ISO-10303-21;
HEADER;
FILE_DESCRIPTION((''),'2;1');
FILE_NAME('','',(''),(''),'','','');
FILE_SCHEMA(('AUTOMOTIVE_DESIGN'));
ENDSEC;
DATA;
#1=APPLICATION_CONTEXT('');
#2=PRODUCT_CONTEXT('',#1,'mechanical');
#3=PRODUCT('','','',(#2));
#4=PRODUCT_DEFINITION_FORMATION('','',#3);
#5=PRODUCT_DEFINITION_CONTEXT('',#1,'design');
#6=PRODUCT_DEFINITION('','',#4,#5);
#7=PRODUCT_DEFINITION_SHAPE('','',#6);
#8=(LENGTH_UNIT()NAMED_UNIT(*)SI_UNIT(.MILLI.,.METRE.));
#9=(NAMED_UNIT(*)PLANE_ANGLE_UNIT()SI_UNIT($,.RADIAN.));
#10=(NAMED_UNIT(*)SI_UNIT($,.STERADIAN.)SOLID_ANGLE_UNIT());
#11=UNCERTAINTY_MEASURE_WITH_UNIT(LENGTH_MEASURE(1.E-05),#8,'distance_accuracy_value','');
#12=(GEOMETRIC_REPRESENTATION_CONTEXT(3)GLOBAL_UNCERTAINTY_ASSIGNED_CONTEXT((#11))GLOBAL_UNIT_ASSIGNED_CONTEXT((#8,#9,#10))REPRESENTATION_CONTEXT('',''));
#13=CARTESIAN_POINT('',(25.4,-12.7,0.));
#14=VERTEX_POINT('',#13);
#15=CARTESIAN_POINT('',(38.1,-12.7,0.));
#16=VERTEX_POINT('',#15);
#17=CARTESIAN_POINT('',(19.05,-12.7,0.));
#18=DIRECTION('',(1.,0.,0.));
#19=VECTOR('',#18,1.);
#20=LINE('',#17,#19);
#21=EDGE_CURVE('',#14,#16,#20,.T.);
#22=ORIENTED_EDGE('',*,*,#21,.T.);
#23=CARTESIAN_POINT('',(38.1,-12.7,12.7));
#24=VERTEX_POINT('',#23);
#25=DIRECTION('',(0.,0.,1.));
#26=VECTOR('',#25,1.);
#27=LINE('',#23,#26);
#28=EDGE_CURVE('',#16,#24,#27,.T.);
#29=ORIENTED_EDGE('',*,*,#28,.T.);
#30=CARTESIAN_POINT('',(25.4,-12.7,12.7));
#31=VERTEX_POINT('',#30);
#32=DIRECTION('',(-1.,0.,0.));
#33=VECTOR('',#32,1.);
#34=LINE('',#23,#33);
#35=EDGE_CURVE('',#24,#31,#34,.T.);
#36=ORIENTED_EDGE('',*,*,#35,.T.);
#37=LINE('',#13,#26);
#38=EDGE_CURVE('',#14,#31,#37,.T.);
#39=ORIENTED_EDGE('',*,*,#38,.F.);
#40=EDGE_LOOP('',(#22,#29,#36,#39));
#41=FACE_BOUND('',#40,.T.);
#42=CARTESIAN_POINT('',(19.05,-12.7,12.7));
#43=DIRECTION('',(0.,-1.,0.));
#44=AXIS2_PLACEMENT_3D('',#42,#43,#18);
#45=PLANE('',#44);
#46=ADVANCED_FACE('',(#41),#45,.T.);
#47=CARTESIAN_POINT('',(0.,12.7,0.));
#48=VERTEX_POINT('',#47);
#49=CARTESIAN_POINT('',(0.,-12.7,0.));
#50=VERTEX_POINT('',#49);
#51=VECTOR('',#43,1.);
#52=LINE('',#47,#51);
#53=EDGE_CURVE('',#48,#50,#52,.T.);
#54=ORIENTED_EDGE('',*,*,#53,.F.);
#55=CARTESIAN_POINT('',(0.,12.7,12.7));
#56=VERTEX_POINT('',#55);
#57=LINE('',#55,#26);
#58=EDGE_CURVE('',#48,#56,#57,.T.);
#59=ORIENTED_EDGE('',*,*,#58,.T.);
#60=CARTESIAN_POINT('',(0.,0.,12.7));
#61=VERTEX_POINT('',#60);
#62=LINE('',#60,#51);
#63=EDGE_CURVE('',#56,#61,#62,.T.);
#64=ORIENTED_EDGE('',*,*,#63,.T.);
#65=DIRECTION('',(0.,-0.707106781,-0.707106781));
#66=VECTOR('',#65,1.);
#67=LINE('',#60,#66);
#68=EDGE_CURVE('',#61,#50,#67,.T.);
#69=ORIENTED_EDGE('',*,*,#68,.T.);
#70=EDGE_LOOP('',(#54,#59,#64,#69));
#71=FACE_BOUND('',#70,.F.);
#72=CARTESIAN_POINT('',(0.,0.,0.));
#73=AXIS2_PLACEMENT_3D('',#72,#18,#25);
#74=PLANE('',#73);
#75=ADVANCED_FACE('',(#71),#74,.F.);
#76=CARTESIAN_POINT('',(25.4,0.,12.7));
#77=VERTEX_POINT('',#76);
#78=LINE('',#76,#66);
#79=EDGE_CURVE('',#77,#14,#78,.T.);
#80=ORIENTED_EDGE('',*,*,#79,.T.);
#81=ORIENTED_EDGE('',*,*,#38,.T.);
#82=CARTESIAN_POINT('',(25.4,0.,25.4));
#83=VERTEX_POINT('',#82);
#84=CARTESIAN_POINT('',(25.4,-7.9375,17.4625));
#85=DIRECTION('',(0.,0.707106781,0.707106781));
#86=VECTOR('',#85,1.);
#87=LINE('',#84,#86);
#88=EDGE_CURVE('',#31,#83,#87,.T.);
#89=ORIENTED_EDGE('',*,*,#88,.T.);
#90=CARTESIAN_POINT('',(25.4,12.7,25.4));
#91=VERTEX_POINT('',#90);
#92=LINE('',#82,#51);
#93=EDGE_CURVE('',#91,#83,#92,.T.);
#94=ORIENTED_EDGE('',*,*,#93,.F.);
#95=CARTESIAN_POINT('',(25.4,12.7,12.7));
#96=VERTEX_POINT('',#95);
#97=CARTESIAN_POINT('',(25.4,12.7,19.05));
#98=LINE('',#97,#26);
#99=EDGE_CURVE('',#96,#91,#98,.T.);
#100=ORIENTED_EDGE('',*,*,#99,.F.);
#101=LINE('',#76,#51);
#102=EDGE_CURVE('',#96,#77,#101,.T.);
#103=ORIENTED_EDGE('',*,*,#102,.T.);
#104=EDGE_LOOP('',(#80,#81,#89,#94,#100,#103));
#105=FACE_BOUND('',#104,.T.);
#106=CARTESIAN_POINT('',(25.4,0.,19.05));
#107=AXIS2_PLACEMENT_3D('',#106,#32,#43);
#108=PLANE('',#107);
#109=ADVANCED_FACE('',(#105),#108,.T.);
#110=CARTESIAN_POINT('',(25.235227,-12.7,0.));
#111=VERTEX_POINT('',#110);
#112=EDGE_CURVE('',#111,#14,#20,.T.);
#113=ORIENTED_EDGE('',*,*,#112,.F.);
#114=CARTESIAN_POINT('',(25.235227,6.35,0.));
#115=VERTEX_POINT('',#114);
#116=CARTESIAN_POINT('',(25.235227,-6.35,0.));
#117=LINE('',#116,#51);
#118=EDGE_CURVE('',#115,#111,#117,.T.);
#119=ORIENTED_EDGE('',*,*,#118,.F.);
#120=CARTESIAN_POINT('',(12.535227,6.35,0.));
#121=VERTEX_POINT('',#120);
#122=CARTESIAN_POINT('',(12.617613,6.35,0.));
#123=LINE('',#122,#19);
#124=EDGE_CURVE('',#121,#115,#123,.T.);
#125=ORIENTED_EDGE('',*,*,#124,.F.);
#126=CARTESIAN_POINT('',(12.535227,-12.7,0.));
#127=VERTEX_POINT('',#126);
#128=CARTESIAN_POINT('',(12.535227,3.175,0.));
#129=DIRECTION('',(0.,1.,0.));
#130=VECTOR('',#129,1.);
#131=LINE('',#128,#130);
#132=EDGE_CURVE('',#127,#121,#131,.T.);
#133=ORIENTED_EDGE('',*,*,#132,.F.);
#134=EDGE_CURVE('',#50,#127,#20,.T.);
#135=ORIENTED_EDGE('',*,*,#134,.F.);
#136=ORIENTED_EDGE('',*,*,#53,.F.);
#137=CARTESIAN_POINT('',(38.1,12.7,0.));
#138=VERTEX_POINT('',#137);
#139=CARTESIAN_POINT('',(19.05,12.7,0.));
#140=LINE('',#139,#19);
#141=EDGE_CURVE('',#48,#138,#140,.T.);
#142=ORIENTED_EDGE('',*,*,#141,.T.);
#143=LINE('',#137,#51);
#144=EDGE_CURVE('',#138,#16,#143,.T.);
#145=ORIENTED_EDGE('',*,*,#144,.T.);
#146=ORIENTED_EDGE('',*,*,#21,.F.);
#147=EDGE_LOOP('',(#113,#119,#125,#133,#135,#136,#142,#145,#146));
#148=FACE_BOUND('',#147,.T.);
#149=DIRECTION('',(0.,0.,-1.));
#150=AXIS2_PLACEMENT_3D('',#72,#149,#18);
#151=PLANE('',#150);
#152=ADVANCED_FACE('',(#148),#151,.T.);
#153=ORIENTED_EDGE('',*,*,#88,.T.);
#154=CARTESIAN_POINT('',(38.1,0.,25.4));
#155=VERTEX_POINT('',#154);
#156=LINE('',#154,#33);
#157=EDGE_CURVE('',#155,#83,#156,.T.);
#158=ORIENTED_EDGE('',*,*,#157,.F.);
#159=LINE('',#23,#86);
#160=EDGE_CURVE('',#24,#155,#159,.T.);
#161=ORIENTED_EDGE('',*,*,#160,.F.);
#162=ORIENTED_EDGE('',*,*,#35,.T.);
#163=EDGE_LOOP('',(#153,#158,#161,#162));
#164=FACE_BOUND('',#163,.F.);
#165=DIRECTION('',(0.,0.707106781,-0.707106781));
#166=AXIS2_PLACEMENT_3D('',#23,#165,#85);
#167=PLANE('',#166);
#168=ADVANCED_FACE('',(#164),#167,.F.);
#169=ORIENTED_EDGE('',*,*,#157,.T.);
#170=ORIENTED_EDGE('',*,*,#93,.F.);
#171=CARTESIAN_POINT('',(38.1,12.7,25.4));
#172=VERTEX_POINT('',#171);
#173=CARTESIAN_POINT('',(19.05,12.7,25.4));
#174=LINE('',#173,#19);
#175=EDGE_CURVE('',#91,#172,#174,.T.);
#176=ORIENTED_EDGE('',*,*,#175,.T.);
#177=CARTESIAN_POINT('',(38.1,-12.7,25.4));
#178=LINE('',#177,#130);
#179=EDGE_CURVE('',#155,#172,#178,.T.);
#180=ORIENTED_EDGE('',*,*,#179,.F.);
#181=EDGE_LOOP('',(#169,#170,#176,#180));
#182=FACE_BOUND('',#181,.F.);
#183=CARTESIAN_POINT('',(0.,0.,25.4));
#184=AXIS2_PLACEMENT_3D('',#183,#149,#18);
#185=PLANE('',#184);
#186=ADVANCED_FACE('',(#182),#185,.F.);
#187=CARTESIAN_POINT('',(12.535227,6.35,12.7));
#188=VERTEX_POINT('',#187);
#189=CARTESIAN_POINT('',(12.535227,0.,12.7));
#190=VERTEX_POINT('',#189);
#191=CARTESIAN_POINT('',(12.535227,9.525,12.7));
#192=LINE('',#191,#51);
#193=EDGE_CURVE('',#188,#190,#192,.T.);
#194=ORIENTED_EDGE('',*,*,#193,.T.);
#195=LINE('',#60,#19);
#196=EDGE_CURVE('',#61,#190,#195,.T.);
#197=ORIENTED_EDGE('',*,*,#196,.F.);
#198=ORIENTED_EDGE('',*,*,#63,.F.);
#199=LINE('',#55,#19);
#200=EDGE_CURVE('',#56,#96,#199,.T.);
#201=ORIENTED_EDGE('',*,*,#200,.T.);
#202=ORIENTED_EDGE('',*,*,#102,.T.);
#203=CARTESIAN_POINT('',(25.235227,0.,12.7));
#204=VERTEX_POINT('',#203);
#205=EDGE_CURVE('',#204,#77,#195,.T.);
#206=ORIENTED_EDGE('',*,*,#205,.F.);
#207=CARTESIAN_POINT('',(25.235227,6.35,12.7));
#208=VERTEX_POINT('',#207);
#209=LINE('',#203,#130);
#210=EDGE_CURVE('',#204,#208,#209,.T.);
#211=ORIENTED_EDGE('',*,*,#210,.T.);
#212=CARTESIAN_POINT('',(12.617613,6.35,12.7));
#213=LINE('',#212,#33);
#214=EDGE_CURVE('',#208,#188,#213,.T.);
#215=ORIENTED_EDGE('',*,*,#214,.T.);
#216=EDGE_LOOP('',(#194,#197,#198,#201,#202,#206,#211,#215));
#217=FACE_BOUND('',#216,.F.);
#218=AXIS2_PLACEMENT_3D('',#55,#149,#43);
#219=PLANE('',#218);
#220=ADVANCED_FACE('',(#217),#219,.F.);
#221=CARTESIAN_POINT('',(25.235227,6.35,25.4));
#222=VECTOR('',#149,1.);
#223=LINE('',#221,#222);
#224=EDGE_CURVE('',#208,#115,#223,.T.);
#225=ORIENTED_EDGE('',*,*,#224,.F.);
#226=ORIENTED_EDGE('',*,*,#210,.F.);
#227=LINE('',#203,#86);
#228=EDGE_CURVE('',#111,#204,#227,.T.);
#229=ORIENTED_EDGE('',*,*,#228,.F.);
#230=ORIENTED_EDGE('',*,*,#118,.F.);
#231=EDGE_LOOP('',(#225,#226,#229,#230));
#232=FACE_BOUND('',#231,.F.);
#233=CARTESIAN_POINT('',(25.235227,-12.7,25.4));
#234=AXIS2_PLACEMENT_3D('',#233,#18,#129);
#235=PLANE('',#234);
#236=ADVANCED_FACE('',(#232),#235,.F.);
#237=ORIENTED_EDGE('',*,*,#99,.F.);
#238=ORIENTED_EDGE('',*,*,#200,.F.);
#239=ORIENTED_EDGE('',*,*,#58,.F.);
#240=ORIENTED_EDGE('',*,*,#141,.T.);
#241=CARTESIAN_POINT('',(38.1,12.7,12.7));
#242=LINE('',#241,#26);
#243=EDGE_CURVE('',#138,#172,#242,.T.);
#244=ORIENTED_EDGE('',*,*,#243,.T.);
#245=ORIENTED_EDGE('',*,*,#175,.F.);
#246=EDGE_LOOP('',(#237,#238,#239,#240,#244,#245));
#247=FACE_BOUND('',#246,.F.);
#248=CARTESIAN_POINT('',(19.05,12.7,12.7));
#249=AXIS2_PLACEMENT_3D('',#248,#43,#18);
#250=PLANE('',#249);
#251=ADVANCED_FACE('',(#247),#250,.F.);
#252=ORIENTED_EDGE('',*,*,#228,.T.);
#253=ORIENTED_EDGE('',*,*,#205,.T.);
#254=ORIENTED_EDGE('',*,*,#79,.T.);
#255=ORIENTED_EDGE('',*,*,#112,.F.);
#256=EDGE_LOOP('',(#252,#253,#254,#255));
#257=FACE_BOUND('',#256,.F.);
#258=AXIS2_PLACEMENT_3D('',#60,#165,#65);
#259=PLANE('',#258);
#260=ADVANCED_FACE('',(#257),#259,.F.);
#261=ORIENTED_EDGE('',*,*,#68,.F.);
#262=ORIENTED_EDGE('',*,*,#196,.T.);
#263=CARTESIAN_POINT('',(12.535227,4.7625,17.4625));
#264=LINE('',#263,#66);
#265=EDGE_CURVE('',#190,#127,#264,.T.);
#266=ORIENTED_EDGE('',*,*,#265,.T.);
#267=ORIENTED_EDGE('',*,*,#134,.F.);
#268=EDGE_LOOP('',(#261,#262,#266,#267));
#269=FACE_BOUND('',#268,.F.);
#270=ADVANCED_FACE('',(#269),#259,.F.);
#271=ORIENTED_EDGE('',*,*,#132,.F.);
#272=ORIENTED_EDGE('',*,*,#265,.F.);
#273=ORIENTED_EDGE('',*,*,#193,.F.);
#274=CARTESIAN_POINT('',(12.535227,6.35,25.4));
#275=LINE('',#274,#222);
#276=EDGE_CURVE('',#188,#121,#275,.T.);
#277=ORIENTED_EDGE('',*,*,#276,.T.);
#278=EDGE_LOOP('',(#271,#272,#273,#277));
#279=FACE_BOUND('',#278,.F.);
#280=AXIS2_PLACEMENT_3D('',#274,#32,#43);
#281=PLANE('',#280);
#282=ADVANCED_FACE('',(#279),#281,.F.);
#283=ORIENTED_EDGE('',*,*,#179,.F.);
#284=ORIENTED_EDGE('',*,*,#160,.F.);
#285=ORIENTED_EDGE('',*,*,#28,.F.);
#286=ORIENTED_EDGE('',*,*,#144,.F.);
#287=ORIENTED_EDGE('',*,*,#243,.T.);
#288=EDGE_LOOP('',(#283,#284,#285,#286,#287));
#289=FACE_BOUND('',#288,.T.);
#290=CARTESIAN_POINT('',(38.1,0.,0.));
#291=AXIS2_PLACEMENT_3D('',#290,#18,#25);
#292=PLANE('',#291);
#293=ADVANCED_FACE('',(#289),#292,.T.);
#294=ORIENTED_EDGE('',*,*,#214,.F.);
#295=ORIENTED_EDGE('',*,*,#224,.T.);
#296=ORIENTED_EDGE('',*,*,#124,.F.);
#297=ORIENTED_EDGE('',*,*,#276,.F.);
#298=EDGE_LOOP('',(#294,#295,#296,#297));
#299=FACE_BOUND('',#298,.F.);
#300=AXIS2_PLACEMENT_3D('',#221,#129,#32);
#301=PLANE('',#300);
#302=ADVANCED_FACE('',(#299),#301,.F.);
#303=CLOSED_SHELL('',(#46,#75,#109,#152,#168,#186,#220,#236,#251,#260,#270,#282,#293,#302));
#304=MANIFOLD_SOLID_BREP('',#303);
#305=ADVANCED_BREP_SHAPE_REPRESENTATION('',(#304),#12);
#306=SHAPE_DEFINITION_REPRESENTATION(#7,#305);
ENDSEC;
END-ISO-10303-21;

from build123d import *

# Parameters (mm, degrees)
F0_W     = 38.1
F0_H     = 25.4
F1_DEPTH = 12.7
F3_DEPTH = 25.401
F5_DEPTH = 12.8647734687
F6_W     = 25.4
F6_H     = 12.7
F7_DEPTH = 25.4
F9_DEPTH = 25.4


with BuildPart() as f1:
    # F0 (on Front) → F1 (new body, symmetric)
    with BuildSketch(Plane.XZ):
        with Locations((19.05, 12.7)):
            Rectangle(F0_W, F0_H)
    extrude(amount=F1_DEPTH, both=True)

    # F2 (on face) → F3 (cut, through all)
    with BuildSketch(Plane.XY.offset(25.4)):
        Polygon((12.5352265313, -12.7), (19.05, -12.7), (25.2352265313, -12.7), (25.2352265313, 6.35), (12.5352265313, 6.35), align=None)
    extrude(amount=-F3_DEPTH, mode=Mode.SUBTRACT)

    # F4 (on face) → F5 (cut, through all)
    with BuildSketch(Plane.YZ.offset(38.1)):
        Polygon((0, 25.4), (-12.7, 25.4), (-12.7, 12.7), align=None)
    extrude(amount=-F5_DEPTH, mode=Mode.SUBTRACT)

    # F6 (on face) → F7 (cut)
    with BuildSketch(Plane(origin=(0, 0, 0), x_dir=(0, -1, 0), z_dir=(-1, 0, 0))):
        with Locations((0, 19.05)):
            Rectangle(F6_W, F6_H)
    extrude(amount=-F7_DEPTH, mode=Mode.SUBTRACT)

    # F8 (on face) → F9 (cut)
    with BuildSketch(Plane(origin=(0, 0, 0), x_dir=(0, -1, 0), z_dir=(-1, 0, 0))):
        Polygon((0, 12.7), (12.7, 0), (12.7, 12.7), align=None)
    extrude(amount=-F9_DEPTH, mode=Mode.SUBTRACT)


solid = f1.part
